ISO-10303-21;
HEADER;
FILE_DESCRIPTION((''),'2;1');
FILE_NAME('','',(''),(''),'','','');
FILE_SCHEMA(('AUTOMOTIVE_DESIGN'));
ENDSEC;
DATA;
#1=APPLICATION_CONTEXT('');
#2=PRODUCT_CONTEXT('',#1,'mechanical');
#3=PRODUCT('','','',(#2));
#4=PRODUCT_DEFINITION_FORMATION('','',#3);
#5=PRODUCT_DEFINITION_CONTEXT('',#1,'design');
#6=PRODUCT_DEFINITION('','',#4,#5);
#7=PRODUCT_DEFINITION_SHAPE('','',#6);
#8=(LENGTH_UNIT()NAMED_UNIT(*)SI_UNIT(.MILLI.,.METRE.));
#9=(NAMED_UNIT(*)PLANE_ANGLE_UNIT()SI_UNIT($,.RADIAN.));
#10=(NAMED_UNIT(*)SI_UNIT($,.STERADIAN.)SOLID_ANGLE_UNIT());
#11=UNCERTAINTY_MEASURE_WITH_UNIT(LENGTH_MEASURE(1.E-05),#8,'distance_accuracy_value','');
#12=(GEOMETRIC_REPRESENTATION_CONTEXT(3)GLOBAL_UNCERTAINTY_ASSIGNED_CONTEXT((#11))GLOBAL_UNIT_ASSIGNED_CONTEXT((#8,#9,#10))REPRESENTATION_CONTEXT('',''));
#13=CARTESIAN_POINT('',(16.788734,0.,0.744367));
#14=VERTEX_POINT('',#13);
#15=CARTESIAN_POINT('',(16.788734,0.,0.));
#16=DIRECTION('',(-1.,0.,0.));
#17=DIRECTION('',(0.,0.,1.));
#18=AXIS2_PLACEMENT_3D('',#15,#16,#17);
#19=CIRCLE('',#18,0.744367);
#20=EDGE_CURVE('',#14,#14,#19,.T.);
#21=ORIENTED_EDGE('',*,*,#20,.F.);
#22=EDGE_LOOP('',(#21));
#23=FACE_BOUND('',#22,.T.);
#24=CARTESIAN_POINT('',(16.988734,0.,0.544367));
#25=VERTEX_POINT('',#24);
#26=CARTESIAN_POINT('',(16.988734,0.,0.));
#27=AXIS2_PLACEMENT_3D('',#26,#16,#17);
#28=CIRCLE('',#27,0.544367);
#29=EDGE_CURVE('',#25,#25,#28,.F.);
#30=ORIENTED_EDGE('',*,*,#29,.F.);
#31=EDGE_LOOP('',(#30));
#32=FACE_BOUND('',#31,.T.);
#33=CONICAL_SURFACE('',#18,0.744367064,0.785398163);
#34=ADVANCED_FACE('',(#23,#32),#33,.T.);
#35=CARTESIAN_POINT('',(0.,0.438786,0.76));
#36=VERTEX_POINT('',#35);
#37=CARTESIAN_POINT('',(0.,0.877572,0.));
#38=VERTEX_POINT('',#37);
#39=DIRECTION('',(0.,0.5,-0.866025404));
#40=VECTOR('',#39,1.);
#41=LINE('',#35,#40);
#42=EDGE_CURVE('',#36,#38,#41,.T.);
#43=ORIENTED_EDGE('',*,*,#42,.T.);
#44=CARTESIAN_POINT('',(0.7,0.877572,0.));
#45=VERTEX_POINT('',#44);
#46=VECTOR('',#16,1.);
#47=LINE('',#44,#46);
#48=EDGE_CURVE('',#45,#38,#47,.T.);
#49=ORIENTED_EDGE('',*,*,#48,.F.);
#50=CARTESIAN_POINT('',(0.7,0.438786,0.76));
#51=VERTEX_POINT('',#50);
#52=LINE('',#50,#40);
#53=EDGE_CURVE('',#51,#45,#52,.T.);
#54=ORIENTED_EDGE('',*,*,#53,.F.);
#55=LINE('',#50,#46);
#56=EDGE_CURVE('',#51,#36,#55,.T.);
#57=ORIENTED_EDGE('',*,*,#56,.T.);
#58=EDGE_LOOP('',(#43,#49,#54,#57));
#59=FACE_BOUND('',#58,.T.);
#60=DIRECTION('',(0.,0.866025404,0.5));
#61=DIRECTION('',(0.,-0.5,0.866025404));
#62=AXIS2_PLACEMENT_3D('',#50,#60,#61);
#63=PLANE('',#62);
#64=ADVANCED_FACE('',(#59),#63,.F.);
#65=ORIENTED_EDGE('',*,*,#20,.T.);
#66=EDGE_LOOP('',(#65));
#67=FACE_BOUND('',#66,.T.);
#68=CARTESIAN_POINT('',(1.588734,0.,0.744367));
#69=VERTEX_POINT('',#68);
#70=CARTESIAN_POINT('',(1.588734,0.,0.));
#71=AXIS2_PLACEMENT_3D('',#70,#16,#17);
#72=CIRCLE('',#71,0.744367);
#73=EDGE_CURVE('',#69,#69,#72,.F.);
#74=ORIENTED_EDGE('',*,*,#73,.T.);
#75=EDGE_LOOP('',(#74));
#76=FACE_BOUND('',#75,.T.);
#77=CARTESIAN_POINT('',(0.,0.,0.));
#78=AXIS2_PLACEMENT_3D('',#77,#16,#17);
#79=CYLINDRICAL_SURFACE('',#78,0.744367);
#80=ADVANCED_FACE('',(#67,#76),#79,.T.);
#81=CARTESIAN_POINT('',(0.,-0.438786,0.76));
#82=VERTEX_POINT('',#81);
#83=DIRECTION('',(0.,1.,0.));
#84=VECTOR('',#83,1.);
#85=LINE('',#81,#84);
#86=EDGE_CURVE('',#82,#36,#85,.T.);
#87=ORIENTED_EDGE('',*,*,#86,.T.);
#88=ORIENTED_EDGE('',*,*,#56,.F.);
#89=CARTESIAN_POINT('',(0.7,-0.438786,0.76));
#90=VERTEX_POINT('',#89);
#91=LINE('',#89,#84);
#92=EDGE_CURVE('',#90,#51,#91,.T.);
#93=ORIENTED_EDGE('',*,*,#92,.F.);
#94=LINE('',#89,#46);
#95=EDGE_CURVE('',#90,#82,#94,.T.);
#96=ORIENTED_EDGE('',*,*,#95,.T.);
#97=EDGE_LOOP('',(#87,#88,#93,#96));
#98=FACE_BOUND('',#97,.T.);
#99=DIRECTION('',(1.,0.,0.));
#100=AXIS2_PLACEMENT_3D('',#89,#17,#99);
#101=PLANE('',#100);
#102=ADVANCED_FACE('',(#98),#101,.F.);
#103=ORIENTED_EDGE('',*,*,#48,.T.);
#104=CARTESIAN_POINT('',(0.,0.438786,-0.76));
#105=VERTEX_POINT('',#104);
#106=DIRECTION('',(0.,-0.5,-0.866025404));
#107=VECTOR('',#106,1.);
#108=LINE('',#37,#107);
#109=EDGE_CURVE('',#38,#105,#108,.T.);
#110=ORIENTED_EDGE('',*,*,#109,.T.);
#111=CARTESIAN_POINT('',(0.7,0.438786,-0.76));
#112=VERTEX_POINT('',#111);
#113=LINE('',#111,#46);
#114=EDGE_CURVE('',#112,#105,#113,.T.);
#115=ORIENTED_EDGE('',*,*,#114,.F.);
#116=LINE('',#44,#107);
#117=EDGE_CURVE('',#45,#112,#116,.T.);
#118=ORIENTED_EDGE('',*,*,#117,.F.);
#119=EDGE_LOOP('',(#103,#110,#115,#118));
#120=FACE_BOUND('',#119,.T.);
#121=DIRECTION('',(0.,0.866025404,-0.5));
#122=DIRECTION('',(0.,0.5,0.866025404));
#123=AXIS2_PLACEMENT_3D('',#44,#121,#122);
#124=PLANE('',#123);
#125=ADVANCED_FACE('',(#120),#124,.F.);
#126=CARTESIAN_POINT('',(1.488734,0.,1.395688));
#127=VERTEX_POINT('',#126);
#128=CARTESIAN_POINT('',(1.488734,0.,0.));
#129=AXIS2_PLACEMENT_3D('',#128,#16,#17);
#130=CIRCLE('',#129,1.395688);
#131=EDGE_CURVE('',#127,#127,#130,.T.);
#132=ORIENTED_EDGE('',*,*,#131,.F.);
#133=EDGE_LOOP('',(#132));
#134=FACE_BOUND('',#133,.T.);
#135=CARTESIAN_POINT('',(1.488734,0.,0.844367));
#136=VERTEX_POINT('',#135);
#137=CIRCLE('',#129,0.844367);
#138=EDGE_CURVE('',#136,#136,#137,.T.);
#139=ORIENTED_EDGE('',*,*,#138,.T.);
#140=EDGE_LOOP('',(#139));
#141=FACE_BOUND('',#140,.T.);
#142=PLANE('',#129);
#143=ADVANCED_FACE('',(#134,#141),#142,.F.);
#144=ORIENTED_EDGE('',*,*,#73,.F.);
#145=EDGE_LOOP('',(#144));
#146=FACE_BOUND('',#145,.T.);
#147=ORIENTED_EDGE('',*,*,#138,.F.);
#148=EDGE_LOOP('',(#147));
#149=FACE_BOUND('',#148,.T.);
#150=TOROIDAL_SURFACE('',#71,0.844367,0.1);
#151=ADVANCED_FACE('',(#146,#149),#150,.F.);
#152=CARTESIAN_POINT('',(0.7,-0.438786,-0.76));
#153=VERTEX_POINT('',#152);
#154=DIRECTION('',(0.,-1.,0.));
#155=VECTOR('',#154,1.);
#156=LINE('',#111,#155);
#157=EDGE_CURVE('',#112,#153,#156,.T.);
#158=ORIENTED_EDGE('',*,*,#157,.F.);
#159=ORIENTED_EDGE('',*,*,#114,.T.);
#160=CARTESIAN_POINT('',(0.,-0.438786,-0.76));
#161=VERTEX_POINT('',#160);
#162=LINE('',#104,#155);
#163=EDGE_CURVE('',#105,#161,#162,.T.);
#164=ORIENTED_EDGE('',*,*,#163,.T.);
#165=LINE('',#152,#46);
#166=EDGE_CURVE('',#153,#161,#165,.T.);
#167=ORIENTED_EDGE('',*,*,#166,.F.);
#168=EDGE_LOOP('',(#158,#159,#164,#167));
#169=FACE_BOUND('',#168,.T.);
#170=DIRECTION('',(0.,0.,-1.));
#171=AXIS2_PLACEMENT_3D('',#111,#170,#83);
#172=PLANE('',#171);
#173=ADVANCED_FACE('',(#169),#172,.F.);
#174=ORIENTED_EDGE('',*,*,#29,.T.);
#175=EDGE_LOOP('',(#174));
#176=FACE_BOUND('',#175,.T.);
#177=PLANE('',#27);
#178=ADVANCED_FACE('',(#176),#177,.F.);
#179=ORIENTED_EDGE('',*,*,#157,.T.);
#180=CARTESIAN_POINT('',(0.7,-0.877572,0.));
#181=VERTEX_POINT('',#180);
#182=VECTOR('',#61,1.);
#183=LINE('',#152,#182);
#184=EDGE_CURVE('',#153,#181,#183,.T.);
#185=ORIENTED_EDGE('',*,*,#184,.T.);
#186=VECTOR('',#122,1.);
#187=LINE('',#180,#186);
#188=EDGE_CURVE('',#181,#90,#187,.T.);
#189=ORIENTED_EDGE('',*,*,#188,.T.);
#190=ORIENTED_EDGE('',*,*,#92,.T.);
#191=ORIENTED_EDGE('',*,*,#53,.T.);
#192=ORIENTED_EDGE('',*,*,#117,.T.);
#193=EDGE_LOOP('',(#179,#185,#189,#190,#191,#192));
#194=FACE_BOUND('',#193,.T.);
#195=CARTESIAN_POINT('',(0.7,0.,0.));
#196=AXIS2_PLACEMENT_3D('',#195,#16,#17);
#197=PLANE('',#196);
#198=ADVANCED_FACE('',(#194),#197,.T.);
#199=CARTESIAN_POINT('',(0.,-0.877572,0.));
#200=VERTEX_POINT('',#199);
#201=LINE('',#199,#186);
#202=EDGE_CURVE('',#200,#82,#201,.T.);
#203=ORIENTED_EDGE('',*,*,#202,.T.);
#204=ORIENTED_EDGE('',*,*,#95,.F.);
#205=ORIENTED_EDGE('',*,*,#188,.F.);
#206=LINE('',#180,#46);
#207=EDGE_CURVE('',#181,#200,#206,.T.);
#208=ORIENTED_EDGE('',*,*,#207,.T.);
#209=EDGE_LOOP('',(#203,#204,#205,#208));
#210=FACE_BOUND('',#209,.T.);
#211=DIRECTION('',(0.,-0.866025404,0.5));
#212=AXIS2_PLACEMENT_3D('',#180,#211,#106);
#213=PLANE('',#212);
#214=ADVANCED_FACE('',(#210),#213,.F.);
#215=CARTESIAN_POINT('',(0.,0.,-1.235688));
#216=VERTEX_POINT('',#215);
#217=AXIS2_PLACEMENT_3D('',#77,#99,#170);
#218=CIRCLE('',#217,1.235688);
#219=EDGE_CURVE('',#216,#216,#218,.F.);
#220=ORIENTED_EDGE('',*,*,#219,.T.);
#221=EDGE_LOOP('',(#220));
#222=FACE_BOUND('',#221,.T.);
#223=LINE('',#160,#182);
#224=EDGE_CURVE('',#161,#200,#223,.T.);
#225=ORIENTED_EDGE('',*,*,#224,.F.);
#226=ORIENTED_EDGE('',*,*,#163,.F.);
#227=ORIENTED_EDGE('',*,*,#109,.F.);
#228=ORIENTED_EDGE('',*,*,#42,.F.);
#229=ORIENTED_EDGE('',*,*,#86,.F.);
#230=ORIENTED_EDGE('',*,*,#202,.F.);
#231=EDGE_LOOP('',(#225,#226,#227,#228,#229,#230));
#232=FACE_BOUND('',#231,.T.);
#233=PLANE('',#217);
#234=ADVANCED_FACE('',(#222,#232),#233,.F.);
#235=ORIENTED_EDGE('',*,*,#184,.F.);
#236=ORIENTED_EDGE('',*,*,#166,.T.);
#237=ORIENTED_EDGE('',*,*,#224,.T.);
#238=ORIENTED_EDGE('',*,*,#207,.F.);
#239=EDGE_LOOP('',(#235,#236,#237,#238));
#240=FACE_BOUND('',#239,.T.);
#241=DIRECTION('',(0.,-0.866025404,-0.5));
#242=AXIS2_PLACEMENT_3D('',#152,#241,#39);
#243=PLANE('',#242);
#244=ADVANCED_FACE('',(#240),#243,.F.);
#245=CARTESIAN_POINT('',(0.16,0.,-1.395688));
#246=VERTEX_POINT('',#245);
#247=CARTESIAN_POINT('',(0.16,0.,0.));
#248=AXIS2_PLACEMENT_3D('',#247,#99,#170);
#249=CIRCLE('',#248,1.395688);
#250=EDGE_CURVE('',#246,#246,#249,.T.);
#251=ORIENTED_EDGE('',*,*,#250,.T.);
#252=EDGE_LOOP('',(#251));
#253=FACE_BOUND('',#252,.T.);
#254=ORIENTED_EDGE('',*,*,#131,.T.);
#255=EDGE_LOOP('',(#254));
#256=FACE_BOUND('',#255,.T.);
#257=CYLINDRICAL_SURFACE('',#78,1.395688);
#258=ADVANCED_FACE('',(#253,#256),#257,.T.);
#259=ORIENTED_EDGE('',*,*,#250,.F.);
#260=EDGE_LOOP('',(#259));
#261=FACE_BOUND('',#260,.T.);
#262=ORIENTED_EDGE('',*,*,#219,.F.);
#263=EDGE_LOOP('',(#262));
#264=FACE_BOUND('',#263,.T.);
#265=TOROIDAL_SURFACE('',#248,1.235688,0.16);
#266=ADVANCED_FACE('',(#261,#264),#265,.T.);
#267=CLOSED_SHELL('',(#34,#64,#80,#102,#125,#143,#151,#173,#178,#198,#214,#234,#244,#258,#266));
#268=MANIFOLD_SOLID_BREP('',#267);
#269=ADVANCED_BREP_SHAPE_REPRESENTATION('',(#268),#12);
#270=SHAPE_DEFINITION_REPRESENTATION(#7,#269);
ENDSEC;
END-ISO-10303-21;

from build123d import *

# Parameters (mm, degrees)
FILLET1_R      = 0.1
FILLET2_R      = 0.16
CHAMFER1_SIZE  = 0.2
EXTRUDE1_DEPTH = 0.7


with BuildPart() as part:
    # Sketch1 → Revolve1 (revolve)
    with BuildSketch(Plane.XY, mode=Mode.PRIVATE) as revolve1_sk:
        Polygon((0, 1.395688245), (0, 0), (16.988734128, 0), (16.988734128, 0.744367064), (1.488734128, 0.744367064), (1.488734128, 1.395688245), align=None)
    revolve(revolve1_sk.sketch.rotate(Axis((0, 0, 0), (1, 0, 0)), 90), axis=Axis((0, 0, 0), (1, 0, 0)))

    # Fillet1
    fillet1_edges = [part.edges().sort_by_distance(p)[0] for p in [
        (1.488734128, 0, -0.744367064),
    ]]
    fillet(fillet1_edges, radius=FILLET1_R)

    # Fillet2
    fillet2_edges = [part.edges().sort_by_distance(p)[0] for p in [
        (0, 0, -1.395688245),
    ]]
    fillet(fillet2_edges, radius=FILLET2_R)

    # Chamfer1
    chamfer1_edges = [part.edges().sort_by_distance(p)[0] for p in [
        (16.988734128, 0, -0.744367064),
    ]]
    chamfer(chamfer1_edges, length=CHAMFER1_SIZE)

    # Sketch2 → Extrude1 (cut)
    with BuildSketch(Plane.ZY):
        Polygon((0, 0.877572409), (-0.76, 0.438786205), (-0.76, -0.438786205), (0, -0.877572409), (0.76, -0.438786205), (0.76, 0.438786205), align=None)
    extrude(amount=-EXTRUDE1_DEPTH, mode=Mode.SUBTRACT)


solid = part.part
